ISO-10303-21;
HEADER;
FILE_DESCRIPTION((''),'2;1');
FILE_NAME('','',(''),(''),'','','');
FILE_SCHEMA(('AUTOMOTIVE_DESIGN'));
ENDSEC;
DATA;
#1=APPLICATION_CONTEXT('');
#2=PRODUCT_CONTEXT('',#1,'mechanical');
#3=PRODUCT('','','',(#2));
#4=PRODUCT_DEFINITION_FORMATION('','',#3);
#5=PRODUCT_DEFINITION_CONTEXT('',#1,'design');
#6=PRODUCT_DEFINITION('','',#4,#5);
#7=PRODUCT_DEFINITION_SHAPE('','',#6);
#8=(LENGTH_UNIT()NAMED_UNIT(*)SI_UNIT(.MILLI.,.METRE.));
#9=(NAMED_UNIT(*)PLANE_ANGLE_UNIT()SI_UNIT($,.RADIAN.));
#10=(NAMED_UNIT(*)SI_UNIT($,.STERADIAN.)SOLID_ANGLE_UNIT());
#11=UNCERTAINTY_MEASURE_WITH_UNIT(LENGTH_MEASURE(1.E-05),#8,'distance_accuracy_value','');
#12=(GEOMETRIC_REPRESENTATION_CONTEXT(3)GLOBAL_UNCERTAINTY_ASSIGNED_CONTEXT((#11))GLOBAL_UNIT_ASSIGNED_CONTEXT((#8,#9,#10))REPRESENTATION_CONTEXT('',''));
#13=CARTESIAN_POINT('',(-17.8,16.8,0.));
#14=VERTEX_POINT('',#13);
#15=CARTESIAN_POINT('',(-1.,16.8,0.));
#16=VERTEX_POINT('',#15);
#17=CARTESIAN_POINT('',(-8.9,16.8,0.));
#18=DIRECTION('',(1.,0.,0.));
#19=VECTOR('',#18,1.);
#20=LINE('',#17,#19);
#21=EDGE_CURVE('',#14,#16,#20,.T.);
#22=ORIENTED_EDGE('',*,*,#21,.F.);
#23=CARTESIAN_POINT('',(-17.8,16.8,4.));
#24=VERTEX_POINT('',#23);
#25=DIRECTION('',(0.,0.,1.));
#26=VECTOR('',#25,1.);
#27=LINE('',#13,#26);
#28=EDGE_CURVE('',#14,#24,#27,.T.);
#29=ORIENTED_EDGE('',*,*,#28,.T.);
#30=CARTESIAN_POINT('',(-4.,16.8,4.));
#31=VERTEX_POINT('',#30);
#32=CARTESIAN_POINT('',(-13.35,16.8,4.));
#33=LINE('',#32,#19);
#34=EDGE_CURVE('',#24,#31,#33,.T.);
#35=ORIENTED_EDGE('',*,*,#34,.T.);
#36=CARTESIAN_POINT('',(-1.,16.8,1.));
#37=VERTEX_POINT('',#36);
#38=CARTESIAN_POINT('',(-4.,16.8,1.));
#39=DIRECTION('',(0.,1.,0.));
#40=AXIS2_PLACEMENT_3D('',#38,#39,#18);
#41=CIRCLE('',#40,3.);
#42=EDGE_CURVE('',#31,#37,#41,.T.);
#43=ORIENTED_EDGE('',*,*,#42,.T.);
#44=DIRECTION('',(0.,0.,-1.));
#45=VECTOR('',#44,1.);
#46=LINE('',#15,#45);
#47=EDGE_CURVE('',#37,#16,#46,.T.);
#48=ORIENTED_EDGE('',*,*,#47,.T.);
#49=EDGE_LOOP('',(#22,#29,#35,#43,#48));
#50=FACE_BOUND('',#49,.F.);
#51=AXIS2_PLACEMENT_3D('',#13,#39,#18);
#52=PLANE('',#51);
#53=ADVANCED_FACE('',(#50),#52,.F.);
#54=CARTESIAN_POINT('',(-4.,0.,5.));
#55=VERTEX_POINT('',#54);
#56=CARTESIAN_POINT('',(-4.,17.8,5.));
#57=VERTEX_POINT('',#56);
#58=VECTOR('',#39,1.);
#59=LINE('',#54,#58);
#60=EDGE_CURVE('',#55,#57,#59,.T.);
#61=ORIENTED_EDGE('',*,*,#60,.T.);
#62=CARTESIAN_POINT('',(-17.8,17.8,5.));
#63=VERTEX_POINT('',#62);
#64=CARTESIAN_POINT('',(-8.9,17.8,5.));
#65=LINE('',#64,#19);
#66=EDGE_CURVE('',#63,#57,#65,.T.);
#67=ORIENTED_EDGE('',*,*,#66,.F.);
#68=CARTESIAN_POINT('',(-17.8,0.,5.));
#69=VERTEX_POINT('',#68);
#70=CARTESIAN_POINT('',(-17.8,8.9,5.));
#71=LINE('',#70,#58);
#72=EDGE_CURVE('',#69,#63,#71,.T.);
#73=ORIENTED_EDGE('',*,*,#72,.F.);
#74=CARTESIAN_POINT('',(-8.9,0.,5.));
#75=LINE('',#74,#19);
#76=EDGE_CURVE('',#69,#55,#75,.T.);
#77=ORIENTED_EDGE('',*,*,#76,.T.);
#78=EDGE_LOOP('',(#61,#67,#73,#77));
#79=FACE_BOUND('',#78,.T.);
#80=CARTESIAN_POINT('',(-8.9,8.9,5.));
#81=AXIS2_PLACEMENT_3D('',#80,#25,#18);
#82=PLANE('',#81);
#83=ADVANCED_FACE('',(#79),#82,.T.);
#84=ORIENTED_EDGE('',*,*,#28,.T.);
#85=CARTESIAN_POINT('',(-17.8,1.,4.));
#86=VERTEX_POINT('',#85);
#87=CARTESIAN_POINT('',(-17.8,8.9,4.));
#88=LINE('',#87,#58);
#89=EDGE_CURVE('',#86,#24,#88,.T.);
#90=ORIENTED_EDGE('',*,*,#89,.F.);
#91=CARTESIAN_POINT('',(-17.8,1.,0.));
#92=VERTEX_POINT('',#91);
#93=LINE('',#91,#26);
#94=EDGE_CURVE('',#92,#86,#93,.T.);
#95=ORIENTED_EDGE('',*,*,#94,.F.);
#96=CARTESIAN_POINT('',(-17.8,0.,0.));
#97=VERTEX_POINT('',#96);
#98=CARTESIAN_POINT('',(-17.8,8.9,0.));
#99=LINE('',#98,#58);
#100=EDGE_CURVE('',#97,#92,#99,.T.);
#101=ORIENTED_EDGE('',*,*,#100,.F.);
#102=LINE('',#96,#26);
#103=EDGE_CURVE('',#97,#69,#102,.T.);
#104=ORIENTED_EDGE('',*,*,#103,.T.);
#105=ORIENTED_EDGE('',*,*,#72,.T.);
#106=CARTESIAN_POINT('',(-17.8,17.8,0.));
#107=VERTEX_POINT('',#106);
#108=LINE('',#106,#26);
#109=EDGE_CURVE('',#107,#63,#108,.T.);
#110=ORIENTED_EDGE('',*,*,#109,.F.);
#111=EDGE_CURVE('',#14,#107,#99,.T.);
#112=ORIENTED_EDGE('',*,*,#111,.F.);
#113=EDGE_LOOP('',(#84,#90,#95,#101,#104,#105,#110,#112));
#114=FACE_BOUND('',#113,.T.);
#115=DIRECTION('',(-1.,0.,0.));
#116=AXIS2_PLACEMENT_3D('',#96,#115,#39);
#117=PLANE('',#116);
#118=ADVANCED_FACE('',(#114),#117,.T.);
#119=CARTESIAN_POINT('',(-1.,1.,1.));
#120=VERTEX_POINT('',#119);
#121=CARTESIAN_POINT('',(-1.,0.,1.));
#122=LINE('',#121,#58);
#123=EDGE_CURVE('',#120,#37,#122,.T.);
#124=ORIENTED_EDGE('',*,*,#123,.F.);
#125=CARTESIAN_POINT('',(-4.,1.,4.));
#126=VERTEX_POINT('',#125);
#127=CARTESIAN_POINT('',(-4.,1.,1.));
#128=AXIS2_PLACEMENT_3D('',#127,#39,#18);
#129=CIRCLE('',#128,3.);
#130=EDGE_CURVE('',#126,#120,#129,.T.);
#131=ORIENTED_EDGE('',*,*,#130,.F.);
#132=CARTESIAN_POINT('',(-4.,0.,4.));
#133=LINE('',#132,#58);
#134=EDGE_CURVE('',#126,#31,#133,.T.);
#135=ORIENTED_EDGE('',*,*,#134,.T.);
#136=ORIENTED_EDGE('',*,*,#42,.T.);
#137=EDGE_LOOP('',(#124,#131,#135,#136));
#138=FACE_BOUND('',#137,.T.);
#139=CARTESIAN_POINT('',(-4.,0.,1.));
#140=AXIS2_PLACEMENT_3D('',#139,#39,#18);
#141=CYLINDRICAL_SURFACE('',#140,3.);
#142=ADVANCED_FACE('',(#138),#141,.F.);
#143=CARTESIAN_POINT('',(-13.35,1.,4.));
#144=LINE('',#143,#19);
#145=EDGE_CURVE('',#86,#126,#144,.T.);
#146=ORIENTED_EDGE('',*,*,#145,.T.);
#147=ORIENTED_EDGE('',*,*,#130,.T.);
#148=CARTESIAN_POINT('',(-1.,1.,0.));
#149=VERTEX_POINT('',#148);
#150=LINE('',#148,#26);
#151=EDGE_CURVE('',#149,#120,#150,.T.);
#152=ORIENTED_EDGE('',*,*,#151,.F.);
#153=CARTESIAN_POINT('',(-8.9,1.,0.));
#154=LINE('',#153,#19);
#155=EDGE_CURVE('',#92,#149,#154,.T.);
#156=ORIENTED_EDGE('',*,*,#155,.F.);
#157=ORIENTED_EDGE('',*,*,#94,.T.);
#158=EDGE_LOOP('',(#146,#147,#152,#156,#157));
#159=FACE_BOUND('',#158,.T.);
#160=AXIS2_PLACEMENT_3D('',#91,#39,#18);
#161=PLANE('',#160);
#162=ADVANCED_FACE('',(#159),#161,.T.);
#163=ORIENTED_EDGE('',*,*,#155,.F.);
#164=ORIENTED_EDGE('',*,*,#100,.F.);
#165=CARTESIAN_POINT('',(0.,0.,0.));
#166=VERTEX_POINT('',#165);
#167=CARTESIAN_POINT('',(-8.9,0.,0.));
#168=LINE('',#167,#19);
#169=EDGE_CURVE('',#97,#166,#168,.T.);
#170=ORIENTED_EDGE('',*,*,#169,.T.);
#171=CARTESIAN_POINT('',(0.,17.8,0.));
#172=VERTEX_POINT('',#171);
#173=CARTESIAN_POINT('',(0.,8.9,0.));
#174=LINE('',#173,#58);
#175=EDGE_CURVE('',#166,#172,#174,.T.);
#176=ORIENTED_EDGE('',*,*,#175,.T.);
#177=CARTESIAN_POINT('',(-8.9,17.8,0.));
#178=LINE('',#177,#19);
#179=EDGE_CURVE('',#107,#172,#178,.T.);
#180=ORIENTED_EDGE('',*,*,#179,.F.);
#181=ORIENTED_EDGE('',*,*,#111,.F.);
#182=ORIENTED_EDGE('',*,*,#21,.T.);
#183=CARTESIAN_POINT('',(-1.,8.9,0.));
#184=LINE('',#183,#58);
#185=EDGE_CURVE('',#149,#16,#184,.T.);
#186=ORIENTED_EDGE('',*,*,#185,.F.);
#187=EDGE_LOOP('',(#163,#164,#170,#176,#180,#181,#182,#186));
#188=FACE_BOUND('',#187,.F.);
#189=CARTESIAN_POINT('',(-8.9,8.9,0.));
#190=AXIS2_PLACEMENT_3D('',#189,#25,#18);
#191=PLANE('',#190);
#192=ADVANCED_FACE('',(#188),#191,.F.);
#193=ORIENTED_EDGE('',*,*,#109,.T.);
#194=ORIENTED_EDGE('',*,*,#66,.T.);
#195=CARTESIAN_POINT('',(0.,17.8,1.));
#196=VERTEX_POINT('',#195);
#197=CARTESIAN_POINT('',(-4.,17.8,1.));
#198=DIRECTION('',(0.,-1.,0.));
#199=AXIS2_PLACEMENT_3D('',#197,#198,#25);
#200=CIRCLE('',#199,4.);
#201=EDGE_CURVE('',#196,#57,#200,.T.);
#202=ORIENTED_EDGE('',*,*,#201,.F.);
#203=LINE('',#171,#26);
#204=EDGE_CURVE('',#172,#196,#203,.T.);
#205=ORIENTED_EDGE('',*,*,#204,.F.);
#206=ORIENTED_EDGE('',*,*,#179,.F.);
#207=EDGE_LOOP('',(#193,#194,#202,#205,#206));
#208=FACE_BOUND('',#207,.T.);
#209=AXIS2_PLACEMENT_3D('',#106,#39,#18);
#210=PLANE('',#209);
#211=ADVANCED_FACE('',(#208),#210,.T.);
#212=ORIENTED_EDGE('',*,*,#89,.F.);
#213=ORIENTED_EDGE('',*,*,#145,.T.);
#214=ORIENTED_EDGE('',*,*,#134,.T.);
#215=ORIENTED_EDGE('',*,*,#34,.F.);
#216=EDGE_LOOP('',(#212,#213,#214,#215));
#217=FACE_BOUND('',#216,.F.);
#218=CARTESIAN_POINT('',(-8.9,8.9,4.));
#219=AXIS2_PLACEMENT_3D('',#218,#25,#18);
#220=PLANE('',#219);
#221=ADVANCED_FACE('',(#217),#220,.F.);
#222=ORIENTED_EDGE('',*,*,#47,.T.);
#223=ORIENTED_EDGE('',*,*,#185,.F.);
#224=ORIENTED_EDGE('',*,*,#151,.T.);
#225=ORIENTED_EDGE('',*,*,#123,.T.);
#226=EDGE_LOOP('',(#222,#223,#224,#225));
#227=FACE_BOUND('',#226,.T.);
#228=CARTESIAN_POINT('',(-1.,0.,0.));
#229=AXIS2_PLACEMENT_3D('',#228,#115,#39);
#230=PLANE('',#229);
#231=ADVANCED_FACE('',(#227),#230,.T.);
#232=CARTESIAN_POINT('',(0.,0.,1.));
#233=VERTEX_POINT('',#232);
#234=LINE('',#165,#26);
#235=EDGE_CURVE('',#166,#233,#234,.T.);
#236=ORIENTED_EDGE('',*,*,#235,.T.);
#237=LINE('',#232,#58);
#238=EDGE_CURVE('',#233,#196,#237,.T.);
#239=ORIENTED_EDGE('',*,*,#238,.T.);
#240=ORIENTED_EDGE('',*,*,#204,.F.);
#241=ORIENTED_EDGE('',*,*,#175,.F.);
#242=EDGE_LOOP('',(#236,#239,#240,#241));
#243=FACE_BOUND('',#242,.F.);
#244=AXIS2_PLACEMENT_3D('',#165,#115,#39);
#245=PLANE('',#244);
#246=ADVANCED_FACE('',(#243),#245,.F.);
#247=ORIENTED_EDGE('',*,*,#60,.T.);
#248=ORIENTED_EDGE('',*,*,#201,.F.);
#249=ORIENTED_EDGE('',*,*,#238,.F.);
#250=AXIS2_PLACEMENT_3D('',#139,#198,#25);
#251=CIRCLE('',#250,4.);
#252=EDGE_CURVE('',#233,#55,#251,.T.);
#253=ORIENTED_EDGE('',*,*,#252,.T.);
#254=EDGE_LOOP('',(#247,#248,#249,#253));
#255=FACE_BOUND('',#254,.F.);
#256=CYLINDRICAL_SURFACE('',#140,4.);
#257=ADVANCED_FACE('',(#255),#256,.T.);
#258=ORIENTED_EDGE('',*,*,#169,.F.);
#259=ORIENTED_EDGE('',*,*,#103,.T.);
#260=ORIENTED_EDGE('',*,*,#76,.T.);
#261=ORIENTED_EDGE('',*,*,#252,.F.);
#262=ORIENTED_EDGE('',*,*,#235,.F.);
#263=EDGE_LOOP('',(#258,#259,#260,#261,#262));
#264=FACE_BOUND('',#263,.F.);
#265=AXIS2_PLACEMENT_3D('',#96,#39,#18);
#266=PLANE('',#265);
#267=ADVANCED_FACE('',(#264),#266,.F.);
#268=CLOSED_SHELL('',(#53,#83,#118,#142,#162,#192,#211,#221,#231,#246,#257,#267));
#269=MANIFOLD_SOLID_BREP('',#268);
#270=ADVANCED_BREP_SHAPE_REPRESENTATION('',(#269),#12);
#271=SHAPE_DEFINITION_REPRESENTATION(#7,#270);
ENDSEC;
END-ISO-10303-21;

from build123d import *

# Parameters (mm, degrees)
F0_W     = 17.8
F0_H     = 17.8
F1_DEPTH = 5
F2_R     = 4
F3_T     = -1


with BuildPart() as f1:
    # F0 (on Top) → F1 (new body)
    with BuildSketch(Plane.XY):
        with Locations((-8.9, 8.9)):
            Rectangle(F0_W, F0_H)
    extrude(amount=F1_DEPTH)

    # F2
    f2_edges = [f1.edges().sort_by_distance(p)[0] for p in [
        (0, 8.9, 5),
    ]]
    fillet(f2_edges, radius=F2_R)

    # F3
    f3_openings = [f1.faces().sort_by_distance(p)[0] for p in [
        (-8.9, 8.9, 0),
        (-17.8, 8.9, 2.5),
    ]]
    offset(amount=F3_T, openings=f3_openings)


solid = f1.part
